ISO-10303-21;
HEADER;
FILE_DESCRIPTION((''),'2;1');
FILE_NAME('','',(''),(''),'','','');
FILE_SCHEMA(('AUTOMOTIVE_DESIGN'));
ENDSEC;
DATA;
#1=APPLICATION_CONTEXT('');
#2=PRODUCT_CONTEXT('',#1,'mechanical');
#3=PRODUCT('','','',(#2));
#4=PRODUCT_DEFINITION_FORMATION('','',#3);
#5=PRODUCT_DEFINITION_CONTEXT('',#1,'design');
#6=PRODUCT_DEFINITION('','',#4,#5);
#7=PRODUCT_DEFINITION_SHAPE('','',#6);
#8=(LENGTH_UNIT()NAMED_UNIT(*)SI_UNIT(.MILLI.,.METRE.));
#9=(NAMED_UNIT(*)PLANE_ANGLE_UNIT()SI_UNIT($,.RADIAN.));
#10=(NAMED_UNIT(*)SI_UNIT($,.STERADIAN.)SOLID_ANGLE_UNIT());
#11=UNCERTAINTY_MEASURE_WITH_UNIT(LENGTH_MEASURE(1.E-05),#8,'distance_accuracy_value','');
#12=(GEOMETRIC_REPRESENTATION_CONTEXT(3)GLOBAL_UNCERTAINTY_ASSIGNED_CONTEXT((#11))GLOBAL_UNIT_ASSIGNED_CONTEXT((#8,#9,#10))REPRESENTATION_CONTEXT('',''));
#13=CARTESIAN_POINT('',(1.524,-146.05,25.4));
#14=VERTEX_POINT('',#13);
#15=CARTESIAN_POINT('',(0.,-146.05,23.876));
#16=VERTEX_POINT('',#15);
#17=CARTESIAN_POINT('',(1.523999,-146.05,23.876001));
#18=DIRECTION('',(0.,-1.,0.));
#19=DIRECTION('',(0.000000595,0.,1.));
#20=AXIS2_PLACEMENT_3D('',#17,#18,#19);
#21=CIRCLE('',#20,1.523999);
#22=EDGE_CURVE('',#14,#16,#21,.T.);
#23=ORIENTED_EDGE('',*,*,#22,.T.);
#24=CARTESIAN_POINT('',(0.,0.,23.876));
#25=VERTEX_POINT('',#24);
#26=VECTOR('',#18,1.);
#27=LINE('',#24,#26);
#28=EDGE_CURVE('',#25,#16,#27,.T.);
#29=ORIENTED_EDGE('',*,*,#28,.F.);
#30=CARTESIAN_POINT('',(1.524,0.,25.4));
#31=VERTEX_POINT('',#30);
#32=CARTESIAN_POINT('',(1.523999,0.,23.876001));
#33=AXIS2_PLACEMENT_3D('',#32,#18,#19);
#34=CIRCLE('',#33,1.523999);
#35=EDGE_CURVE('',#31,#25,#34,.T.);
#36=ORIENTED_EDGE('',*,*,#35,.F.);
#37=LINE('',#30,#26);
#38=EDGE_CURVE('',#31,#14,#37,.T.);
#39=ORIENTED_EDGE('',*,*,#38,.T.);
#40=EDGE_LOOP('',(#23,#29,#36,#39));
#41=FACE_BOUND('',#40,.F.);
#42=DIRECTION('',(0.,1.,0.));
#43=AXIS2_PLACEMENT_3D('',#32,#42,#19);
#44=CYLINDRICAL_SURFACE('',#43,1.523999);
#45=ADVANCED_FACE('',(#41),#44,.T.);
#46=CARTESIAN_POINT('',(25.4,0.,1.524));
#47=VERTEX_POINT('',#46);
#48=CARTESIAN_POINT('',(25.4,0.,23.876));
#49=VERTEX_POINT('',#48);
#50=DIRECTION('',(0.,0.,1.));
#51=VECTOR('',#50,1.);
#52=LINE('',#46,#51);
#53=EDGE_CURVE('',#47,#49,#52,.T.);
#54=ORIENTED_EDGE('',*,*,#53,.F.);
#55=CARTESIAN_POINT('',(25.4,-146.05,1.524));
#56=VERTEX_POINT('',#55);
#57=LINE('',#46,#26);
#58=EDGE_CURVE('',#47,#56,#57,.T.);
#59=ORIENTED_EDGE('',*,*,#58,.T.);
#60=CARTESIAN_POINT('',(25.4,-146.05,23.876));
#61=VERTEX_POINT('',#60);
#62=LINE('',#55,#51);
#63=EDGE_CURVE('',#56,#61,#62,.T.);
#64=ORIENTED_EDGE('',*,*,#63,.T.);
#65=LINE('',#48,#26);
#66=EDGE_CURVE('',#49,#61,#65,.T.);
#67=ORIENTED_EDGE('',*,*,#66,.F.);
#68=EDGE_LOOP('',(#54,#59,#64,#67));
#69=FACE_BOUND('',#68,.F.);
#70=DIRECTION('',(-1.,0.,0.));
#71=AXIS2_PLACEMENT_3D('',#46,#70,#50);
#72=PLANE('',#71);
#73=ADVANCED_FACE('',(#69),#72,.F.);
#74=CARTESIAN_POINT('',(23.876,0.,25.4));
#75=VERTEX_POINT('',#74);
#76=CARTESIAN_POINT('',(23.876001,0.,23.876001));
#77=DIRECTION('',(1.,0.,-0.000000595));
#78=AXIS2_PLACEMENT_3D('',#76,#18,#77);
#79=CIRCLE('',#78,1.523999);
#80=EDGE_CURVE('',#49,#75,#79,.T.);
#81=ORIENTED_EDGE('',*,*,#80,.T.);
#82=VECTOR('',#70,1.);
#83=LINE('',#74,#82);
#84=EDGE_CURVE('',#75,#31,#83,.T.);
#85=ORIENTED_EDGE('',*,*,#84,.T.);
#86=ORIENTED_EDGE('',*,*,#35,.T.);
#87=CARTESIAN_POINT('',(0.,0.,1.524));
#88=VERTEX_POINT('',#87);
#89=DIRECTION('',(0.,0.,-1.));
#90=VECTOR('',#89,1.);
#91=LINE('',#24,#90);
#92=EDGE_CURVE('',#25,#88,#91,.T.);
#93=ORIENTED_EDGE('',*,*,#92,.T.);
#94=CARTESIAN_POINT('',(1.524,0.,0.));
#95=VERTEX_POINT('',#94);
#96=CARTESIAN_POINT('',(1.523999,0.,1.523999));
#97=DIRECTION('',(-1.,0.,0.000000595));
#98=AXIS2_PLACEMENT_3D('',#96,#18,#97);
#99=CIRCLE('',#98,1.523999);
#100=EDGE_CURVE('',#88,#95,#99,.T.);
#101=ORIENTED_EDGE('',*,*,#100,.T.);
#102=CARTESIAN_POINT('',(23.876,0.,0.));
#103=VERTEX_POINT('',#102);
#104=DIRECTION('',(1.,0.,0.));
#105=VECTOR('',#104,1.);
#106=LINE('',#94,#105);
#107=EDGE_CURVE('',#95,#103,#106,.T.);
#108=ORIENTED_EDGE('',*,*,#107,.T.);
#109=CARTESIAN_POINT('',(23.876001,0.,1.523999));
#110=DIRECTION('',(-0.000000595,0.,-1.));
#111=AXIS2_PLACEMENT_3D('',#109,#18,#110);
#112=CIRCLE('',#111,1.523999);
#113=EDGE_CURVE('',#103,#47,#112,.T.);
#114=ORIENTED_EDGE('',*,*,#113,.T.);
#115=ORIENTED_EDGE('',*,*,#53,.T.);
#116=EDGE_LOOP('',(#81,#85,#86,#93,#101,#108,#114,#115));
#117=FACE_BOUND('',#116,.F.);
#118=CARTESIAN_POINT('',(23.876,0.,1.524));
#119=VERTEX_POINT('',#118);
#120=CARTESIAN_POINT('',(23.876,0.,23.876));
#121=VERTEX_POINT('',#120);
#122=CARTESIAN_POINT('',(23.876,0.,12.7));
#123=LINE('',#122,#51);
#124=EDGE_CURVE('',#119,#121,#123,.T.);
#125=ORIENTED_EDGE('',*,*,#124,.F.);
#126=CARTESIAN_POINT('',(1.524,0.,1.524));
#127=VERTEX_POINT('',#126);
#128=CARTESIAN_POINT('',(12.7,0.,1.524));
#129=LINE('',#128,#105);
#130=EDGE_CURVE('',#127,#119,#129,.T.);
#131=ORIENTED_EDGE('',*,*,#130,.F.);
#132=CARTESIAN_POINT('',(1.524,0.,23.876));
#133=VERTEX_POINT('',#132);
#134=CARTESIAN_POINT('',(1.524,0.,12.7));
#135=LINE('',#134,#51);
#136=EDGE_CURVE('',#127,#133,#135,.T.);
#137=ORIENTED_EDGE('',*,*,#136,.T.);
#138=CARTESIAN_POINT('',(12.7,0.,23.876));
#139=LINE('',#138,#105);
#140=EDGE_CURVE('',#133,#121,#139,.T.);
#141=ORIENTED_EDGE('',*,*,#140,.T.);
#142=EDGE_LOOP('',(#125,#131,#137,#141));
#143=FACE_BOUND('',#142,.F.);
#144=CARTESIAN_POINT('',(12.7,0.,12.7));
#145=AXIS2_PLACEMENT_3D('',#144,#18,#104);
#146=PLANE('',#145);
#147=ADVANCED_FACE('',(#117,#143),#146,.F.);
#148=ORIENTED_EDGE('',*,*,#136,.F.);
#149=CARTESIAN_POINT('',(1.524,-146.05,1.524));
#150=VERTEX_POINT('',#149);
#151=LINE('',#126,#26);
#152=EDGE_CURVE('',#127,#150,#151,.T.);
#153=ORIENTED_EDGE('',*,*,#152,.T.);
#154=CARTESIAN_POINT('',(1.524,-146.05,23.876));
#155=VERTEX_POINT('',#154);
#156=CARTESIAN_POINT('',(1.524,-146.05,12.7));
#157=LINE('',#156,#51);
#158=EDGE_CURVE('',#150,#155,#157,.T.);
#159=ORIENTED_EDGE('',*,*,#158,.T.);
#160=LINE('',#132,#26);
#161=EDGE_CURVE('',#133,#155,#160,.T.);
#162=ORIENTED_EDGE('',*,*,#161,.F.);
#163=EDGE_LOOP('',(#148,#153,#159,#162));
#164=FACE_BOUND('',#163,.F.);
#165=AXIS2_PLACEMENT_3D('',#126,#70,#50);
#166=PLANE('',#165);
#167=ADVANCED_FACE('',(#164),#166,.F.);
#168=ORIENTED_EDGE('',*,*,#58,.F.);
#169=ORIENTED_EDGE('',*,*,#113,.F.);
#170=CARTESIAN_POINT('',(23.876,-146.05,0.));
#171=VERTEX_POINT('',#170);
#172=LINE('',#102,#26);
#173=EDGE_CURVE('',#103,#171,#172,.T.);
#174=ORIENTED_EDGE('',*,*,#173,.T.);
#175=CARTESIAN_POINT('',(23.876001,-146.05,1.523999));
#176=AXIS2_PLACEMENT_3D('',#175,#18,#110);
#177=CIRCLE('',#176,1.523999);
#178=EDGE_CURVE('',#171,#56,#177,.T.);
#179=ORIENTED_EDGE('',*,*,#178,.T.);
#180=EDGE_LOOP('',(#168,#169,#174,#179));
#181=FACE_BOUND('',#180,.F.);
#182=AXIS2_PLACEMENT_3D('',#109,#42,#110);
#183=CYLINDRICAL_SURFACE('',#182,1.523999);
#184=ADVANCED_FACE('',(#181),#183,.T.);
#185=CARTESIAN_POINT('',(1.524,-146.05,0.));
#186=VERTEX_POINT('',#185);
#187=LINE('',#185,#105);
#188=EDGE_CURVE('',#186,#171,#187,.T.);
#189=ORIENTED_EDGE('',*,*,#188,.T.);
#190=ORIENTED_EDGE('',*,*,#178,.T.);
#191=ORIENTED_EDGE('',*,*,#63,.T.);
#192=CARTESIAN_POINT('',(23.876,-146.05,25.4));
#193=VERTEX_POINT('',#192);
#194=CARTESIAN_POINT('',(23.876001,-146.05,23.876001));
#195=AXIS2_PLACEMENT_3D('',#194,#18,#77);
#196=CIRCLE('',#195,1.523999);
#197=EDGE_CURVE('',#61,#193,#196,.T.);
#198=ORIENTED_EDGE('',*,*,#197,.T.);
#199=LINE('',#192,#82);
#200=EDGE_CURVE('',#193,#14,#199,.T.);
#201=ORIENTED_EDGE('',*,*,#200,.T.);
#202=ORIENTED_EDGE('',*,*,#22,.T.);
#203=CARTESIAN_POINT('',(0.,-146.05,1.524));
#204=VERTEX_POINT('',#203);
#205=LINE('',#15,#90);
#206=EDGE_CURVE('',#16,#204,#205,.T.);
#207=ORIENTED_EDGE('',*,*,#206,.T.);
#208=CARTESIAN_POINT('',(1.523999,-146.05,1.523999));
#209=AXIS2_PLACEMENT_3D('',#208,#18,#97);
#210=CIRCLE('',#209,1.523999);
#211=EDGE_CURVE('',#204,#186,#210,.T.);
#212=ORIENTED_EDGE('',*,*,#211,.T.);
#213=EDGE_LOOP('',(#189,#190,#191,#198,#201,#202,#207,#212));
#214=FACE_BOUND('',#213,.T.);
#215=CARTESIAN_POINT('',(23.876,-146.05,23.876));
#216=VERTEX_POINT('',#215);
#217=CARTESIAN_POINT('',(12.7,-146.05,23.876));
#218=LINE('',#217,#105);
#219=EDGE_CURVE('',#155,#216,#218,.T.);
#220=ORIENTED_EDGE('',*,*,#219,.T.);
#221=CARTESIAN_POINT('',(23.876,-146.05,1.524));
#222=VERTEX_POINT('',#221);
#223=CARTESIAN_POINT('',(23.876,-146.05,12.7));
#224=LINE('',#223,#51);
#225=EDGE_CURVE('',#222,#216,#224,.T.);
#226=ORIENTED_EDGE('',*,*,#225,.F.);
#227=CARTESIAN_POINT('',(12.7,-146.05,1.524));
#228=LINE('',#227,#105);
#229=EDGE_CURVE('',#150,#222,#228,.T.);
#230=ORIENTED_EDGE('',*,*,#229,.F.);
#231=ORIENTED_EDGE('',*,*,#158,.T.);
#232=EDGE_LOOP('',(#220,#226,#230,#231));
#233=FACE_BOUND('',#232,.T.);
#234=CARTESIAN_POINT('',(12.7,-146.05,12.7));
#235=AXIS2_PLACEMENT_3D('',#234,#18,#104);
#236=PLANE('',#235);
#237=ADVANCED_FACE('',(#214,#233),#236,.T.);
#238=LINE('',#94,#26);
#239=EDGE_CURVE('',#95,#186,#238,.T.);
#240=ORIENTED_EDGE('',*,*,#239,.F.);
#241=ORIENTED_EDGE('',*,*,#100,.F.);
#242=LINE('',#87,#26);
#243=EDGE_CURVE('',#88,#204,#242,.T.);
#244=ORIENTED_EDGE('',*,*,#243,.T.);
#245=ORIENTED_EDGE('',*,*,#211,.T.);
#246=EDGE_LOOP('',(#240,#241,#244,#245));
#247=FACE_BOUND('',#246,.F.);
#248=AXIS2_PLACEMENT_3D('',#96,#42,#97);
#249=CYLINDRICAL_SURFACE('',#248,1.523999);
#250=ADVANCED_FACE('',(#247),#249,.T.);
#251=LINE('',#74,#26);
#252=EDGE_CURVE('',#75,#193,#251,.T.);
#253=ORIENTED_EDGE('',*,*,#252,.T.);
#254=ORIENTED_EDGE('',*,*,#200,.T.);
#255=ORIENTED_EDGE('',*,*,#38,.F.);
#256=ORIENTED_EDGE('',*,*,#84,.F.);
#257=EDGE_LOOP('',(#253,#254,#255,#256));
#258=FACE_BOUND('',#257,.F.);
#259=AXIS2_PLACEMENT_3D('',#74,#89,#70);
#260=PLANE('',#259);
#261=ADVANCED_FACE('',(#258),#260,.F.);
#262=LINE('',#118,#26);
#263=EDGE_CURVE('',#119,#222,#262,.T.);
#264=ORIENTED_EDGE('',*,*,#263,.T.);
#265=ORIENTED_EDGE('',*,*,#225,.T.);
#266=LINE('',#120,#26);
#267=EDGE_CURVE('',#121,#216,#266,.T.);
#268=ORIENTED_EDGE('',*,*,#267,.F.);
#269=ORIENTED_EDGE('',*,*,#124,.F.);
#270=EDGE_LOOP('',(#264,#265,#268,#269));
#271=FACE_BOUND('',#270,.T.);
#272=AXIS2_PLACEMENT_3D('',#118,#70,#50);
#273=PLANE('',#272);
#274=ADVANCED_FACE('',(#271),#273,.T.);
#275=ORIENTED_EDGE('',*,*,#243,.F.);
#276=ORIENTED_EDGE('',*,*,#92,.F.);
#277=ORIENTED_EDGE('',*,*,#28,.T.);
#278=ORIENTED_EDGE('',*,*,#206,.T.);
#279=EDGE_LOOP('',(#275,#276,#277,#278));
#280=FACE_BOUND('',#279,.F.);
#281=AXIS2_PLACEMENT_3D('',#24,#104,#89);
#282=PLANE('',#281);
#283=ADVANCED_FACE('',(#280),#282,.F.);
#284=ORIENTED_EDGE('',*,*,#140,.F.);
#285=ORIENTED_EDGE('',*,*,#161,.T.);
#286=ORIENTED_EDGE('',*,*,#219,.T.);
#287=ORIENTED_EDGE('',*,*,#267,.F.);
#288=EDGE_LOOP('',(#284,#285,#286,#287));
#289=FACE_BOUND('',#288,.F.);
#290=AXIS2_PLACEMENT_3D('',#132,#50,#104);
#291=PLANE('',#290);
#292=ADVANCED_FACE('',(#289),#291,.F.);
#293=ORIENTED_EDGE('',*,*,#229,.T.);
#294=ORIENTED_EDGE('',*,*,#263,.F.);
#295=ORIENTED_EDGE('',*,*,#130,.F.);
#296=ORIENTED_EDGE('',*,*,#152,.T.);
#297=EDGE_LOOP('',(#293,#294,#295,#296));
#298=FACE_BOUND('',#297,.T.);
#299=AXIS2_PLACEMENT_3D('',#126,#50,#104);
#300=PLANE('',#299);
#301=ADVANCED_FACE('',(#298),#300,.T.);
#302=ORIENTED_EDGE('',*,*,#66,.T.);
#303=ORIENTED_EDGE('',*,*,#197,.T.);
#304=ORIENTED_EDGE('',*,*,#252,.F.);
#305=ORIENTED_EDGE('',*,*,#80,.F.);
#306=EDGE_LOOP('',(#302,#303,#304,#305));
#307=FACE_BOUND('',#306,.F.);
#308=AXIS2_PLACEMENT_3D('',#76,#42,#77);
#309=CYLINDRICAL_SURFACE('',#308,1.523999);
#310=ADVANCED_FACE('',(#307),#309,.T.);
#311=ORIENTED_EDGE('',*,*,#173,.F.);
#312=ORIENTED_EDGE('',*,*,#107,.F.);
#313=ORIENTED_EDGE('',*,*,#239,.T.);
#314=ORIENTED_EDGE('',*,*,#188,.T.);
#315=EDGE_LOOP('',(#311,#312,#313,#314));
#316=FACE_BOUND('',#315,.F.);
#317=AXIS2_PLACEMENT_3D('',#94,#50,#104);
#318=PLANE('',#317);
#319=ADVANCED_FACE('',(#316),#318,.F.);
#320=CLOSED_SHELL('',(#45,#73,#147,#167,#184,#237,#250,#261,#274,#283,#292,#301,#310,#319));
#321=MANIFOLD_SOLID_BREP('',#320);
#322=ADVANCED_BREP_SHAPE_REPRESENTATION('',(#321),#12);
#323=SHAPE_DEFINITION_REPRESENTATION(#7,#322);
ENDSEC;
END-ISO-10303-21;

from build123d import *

# Parameters (mm, degrees)
F0_W     = 22.352
F0_H     = 22.352
F1_DEPTH = 146.05


with BuildPart() as f1:
    # F0 (on Front) → F1 (new body)
    with BuildSketch(Plane.XZ):
        with BuildLine():
            ThreePointArc((0, 1.524), (0.446369, 0.446369), (1.524, 0))
            Line((1.524, 0), (23.876, 0))
            ThreePointArc((23.876, 0), (24.953631, 0.446369), (25.4, 1.524))
            Line((25.4, 1.524), (25.4, 23.876))
            ThreePointArc((25.4, 23.876), (24.953631, 24.953631), (23.876, 25.4))
            Line((23.876, 25.4), (1.524, 25.4))
            ThreePointArc((1.524, 25.4), (0.446369, 24.953631), (0, 23.876))
            Line((0, 23.876), (0, 1.524))
        make_face()
        with Locations((12.7, 12.7)):
            Rectangle(F0_W, F0_H, mode=Mode.SUBTRACT)
    extrude(amount=F1_DEPTH)


solid = f1.part
